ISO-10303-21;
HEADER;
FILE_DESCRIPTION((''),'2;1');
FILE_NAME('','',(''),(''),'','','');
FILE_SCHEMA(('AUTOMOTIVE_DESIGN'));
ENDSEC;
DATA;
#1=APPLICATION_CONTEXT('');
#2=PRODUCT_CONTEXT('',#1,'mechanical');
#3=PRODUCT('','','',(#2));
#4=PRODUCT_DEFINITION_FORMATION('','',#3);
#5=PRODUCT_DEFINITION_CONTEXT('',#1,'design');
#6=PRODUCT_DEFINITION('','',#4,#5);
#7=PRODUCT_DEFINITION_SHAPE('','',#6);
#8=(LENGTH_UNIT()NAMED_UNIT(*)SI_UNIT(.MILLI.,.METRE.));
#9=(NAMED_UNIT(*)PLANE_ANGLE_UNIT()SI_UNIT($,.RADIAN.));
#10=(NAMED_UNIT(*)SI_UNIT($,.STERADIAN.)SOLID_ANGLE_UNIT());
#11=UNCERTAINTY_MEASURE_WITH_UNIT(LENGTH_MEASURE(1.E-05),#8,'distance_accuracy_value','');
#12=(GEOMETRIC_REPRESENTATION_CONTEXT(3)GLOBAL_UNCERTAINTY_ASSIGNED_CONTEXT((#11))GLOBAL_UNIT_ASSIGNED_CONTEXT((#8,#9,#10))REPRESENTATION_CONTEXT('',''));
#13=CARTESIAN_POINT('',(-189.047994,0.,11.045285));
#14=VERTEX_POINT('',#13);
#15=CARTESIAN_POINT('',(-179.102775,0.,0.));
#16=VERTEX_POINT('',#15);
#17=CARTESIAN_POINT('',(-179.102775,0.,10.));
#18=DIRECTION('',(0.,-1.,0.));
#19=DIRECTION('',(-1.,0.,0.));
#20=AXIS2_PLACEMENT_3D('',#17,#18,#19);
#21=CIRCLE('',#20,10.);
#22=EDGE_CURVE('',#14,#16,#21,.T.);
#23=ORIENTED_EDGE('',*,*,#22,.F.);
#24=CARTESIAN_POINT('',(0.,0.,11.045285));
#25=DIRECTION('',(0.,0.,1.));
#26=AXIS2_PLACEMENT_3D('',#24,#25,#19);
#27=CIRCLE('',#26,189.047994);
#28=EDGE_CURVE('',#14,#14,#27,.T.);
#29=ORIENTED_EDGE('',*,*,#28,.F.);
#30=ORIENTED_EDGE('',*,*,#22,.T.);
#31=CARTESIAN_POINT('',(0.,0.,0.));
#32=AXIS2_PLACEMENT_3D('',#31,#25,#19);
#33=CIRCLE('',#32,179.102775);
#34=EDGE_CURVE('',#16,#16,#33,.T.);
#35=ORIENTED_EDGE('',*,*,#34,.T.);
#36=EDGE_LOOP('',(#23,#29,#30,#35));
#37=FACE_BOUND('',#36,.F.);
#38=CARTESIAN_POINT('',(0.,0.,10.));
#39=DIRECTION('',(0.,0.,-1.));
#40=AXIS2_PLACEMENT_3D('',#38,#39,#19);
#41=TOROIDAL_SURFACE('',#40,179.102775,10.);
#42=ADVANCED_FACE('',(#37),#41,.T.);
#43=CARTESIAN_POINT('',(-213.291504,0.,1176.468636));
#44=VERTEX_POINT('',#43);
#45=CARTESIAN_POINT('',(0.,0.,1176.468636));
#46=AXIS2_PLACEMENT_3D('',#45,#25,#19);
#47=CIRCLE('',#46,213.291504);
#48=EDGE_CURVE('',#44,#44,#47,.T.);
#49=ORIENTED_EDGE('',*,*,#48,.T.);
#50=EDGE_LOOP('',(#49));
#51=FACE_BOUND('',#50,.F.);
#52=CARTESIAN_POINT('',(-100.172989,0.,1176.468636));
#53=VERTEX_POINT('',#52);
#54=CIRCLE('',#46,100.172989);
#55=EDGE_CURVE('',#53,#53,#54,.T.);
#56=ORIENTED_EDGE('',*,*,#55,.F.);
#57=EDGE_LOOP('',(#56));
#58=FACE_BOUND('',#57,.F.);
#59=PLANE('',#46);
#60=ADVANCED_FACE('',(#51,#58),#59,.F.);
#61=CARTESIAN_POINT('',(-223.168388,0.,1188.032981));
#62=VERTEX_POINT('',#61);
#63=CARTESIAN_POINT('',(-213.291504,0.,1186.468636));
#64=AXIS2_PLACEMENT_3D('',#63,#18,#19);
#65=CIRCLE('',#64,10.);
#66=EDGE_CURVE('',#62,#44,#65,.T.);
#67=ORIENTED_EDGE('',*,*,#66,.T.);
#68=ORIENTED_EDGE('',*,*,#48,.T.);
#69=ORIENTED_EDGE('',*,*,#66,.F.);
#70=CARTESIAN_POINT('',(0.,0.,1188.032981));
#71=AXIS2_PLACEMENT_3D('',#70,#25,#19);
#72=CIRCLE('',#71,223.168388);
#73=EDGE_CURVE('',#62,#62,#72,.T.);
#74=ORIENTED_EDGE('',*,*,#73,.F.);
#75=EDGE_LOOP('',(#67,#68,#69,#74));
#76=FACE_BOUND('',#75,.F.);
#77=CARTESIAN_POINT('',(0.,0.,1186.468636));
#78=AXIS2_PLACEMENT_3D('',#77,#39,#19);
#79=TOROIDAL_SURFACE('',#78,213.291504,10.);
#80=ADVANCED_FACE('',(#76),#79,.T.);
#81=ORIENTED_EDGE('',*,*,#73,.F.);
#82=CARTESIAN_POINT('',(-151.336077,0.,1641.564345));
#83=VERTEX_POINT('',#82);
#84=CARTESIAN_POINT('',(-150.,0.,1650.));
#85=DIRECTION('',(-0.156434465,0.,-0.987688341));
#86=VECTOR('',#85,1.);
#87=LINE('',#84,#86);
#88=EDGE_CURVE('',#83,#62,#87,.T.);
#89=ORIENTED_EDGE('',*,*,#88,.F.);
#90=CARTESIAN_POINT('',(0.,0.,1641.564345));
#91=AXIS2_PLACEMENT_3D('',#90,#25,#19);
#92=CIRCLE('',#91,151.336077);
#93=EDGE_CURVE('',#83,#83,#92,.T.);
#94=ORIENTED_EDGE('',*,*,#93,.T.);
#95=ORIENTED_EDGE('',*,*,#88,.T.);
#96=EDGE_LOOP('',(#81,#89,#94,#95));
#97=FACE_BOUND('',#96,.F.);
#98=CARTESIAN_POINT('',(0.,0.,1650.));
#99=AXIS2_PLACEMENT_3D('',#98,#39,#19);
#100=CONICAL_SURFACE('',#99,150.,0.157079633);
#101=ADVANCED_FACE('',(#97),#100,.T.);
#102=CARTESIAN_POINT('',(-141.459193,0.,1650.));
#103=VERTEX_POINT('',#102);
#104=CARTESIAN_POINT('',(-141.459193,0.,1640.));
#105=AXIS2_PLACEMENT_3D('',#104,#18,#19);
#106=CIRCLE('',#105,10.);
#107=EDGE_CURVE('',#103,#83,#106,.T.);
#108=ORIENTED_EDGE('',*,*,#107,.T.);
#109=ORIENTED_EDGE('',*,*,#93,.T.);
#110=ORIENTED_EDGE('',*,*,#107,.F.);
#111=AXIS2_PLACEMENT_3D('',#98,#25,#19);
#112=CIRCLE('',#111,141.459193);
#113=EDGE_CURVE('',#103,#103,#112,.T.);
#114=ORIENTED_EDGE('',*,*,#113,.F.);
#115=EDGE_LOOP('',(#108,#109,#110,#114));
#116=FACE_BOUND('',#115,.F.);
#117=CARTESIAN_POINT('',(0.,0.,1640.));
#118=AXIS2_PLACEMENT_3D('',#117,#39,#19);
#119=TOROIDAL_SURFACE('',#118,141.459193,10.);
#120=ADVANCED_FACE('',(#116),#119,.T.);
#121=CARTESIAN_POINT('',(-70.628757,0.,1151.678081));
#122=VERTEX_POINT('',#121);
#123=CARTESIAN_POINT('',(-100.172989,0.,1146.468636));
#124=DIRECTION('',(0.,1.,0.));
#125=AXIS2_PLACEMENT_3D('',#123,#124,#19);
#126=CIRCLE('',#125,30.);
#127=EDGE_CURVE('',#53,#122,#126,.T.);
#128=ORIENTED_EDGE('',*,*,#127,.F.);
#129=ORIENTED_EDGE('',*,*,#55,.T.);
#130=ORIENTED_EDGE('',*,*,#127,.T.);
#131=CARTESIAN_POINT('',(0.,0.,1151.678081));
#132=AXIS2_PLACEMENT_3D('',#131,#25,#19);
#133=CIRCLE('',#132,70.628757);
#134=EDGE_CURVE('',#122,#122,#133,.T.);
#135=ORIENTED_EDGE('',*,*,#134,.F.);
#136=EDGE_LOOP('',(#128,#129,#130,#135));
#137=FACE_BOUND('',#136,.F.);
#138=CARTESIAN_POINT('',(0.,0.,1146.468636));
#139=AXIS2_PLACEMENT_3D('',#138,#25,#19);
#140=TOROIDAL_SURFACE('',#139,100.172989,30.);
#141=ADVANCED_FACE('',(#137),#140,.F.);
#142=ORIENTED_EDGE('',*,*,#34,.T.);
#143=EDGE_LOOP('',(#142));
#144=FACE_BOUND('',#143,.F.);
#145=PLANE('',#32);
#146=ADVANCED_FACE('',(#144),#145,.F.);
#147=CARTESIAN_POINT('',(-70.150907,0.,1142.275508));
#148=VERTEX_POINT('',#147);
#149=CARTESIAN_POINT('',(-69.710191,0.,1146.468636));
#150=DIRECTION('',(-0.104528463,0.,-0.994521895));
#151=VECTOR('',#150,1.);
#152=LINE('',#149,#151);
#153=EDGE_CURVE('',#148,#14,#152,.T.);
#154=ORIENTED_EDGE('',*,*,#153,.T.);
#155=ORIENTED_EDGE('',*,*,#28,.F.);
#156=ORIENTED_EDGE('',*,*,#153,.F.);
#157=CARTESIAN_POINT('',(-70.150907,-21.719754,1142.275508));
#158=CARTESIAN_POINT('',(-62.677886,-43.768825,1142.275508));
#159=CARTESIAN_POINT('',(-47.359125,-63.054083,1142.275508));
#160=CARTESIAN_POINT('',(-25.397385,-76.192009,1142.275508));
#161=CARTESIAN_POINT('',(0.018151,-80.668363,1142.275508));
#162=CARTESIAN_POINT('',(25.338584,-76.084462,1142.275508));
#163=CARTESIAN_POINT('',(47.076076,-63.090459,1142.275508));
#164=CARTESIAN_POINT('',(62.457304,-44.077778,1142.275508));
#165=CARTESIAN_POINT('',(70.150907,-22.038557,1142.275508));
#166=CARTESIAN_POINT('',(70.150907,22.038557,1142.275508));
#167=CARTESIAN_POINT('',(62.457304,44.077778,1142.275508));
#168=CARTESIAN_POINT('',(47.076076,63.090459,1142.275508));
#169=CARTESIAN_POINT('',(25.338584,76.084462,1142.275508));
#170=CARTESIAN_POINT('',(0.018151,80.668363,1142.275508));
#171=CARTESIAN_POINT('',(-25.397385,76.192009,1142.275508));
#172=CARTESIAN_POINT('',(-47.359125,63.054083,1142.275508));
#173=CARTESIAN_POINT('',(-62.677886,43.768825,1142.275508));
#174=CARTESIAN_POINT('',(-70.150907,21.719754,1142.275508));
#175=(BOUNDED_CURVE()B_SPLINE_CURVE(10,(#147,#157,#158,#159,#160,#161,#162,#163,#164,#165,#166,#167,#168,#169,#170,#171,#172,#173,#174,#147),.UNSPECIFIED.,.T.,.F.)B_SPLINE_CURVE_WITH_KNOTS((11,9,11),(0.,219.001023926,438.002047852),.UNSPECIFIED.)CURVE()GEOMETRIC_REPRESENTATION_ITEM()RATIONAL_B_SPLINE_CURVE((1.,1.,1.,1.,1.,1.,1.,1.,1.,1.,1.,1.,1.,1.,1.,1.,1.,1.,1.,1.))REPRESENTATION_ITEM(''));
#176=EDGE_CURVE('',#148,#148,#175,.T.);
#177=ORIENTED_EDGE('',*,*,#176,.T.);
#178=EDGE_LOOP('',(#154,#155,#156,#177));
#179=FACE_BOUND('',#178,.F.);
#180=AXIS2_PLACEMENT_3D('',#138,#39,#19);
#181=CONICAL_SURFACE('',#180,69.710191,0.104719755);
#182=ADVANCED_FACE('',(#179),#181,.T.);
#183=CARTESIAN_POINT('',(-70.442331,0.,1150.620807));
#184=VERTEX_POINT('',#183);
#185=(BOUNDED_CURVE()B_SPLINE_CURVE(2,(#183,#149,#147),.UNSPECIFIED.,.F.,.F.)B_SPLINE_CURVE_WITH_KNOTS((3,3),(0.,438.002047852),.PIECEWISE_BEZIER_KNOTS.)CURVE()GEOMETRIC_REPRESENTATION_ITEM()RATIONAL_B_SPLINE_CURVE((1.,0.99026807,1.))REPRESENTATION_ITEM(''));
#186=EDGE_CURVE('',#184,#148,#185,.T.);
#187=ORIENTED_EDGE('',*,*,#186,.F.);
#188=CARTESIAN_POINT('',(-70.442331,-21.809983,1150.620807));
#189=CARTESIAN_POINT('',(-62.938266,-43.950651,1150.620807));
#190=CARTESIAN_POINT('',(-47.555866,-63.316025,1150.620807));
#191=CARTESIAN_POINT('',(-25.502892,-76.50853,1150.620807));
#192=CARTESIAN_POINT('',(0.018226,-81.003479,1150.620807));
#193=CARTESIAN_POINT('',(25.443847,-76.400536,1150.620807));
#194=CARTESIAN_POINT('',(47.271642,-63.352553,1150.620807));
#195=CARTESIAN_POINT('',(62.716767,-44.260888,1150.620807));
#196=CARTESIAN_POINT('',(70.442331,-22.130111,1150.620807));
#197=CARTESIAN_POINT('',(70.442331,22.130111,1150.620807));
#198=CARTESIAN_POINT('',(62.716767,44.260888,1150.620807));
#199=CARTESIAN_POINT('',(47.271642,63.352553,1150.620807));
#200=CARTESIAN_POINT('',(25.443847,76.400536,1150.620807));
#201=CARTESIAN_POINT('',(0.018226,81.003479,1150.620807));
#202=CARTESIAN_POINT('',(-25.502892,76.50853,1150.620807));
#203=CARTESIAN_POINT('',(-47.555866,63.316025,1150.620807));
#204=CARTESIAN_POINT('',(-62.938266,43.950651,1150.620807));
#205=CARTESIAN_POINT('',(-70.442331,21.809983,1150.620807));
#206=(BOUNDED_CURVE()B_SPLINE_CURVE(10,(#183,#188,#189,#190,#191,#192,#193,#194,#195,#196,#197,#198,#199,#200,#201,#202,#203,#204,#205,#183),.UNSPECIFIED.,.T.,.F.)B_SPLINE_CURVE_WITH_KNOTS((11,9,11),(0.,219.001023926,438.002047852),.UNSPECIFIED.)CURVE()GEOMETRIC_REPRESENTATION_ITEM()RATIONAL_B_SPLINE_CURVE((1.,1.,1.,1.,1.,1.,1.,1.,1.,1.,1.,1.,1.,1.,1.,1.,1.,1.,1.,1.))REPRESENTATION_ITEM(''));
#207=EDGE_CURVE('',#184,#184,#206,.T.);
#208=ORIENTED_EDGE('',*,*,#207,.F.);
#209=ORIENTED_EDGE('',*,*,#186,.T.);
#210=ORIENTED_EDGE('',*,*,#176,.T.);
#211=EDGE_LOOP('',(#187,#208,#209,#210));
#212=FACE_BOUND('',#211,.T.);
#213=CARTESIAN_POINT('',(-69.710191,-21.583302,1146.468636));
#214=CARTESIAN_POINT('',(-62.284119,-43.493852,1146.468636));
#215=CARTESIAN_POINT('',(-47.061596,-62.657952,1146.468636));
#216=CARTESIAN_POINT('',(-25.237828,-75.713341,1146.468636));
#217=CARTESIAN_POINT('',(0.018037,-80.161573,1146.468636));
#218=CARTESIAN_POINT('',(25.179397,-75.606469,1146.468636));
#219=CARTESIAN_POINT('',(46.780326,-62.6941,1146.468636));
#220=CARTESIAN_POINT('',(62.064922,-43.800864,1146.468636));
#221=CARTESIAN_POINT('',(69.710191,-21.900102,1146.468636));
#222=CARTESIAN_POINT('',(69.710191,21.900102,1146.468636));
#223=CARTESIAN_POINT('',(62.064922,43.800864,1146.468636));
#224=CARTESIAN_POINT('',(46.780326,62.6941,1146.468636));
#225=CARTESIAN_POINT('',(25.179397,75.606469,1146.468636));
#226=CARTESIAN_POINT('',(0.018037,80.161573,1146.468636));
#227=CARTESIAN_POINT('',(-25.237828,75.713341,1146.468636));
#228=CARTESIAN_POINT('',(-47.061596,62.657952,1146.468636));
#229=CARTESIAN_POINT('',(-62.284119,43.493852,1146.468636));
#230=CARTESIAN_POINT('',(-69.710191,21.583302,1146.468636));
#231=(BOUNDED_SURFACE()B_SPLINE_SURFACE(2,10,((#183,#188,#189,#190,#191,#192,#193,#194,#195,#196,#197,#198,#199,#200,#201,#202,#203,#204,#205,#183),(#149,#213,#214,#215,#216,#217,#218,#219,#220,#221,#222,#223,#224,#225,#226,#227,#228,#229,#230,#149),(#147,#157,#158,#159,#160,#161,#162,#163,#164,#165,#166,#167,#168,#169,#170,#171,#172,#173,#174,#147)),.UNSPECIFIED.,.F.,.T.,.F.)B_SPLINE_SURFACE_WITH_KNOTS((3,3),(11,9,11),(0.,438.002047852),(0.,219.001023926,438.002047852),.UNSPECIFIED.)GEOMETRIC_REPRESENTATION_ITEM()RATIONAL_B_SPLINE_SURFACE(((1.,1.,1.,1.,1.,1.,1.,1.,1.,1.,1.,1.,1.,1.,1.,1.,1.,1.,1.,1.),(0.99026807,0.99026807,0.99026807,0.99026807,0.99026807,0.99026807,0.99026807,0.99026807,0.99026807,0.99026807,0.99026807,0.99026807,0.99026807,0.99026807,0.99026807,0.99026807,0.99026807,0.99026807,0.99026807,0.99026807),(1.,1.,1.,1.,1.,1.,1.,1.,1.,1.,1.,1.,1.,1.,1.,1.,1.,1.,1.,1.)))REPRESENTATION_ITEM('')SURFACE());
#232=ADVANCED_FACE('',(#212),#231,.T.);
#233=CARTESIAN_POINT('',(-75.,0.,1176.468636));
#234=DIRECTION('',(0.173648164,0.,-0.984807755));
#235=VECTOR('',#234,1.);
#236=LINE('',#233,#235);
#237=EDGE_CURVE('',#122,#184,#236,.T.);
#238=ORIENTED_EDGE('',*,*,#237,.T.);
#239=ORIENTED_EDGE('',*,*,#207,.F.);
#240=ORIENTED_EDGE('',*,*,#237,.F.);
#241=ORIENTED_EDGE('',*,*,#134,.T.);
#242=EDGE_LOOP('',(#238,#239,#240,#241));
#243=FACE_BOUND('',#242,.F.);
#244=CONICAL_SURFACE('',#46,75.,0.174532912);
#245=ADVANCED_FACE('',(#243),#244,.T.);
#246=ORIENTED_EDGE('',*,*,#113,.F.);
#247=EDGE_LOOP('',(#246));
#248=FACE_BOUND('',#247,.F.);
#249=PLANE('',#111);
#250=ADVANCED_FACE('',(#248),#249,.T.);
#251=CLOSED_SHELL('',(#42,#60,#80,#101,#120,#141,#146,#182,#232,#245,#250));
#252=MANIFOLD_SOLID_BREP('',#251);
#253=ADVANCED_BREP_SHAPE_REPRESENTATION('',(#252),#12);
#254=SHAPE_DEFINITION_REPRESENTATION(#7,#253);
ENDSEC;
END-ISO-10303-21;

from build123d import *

# Parameters (mm, degrees)
F2_R = 10
F3_R = 30


with BuildPart() as f1:
    # F0 (on Front) → F1 (revolve)
    with BuildSketch(Plane.XZ):
        Polygon((0, 1650), (-150, 1650), (-225, 1176.468636), (-75, 1176.468636), (-69.710191, 1146.468636), (-190.2089, 0), (0, 0), align=None)
    revolve(axis=Axis((0, 0, 825), (0, 0, 1)))

    # F2
    f2_edges = [f1.edges().sort_by_distance(p)[0] for p in [
        (150, 0, 1650),
        (225, 0, 1176.468636),
        (190.2089, 0, 0),
    ]]
    fillet(f2_edges, radius=F2_R)

    # F3
    f3_edges = [f1.edges().sort_by_distance(p)[0] for p in [
        (75, 0, 1176.468636),
        (69.710191, 0, 1146.468636),
    ]]
    fillet(f3_edges, radius=F3_R)


solid = f1.part
